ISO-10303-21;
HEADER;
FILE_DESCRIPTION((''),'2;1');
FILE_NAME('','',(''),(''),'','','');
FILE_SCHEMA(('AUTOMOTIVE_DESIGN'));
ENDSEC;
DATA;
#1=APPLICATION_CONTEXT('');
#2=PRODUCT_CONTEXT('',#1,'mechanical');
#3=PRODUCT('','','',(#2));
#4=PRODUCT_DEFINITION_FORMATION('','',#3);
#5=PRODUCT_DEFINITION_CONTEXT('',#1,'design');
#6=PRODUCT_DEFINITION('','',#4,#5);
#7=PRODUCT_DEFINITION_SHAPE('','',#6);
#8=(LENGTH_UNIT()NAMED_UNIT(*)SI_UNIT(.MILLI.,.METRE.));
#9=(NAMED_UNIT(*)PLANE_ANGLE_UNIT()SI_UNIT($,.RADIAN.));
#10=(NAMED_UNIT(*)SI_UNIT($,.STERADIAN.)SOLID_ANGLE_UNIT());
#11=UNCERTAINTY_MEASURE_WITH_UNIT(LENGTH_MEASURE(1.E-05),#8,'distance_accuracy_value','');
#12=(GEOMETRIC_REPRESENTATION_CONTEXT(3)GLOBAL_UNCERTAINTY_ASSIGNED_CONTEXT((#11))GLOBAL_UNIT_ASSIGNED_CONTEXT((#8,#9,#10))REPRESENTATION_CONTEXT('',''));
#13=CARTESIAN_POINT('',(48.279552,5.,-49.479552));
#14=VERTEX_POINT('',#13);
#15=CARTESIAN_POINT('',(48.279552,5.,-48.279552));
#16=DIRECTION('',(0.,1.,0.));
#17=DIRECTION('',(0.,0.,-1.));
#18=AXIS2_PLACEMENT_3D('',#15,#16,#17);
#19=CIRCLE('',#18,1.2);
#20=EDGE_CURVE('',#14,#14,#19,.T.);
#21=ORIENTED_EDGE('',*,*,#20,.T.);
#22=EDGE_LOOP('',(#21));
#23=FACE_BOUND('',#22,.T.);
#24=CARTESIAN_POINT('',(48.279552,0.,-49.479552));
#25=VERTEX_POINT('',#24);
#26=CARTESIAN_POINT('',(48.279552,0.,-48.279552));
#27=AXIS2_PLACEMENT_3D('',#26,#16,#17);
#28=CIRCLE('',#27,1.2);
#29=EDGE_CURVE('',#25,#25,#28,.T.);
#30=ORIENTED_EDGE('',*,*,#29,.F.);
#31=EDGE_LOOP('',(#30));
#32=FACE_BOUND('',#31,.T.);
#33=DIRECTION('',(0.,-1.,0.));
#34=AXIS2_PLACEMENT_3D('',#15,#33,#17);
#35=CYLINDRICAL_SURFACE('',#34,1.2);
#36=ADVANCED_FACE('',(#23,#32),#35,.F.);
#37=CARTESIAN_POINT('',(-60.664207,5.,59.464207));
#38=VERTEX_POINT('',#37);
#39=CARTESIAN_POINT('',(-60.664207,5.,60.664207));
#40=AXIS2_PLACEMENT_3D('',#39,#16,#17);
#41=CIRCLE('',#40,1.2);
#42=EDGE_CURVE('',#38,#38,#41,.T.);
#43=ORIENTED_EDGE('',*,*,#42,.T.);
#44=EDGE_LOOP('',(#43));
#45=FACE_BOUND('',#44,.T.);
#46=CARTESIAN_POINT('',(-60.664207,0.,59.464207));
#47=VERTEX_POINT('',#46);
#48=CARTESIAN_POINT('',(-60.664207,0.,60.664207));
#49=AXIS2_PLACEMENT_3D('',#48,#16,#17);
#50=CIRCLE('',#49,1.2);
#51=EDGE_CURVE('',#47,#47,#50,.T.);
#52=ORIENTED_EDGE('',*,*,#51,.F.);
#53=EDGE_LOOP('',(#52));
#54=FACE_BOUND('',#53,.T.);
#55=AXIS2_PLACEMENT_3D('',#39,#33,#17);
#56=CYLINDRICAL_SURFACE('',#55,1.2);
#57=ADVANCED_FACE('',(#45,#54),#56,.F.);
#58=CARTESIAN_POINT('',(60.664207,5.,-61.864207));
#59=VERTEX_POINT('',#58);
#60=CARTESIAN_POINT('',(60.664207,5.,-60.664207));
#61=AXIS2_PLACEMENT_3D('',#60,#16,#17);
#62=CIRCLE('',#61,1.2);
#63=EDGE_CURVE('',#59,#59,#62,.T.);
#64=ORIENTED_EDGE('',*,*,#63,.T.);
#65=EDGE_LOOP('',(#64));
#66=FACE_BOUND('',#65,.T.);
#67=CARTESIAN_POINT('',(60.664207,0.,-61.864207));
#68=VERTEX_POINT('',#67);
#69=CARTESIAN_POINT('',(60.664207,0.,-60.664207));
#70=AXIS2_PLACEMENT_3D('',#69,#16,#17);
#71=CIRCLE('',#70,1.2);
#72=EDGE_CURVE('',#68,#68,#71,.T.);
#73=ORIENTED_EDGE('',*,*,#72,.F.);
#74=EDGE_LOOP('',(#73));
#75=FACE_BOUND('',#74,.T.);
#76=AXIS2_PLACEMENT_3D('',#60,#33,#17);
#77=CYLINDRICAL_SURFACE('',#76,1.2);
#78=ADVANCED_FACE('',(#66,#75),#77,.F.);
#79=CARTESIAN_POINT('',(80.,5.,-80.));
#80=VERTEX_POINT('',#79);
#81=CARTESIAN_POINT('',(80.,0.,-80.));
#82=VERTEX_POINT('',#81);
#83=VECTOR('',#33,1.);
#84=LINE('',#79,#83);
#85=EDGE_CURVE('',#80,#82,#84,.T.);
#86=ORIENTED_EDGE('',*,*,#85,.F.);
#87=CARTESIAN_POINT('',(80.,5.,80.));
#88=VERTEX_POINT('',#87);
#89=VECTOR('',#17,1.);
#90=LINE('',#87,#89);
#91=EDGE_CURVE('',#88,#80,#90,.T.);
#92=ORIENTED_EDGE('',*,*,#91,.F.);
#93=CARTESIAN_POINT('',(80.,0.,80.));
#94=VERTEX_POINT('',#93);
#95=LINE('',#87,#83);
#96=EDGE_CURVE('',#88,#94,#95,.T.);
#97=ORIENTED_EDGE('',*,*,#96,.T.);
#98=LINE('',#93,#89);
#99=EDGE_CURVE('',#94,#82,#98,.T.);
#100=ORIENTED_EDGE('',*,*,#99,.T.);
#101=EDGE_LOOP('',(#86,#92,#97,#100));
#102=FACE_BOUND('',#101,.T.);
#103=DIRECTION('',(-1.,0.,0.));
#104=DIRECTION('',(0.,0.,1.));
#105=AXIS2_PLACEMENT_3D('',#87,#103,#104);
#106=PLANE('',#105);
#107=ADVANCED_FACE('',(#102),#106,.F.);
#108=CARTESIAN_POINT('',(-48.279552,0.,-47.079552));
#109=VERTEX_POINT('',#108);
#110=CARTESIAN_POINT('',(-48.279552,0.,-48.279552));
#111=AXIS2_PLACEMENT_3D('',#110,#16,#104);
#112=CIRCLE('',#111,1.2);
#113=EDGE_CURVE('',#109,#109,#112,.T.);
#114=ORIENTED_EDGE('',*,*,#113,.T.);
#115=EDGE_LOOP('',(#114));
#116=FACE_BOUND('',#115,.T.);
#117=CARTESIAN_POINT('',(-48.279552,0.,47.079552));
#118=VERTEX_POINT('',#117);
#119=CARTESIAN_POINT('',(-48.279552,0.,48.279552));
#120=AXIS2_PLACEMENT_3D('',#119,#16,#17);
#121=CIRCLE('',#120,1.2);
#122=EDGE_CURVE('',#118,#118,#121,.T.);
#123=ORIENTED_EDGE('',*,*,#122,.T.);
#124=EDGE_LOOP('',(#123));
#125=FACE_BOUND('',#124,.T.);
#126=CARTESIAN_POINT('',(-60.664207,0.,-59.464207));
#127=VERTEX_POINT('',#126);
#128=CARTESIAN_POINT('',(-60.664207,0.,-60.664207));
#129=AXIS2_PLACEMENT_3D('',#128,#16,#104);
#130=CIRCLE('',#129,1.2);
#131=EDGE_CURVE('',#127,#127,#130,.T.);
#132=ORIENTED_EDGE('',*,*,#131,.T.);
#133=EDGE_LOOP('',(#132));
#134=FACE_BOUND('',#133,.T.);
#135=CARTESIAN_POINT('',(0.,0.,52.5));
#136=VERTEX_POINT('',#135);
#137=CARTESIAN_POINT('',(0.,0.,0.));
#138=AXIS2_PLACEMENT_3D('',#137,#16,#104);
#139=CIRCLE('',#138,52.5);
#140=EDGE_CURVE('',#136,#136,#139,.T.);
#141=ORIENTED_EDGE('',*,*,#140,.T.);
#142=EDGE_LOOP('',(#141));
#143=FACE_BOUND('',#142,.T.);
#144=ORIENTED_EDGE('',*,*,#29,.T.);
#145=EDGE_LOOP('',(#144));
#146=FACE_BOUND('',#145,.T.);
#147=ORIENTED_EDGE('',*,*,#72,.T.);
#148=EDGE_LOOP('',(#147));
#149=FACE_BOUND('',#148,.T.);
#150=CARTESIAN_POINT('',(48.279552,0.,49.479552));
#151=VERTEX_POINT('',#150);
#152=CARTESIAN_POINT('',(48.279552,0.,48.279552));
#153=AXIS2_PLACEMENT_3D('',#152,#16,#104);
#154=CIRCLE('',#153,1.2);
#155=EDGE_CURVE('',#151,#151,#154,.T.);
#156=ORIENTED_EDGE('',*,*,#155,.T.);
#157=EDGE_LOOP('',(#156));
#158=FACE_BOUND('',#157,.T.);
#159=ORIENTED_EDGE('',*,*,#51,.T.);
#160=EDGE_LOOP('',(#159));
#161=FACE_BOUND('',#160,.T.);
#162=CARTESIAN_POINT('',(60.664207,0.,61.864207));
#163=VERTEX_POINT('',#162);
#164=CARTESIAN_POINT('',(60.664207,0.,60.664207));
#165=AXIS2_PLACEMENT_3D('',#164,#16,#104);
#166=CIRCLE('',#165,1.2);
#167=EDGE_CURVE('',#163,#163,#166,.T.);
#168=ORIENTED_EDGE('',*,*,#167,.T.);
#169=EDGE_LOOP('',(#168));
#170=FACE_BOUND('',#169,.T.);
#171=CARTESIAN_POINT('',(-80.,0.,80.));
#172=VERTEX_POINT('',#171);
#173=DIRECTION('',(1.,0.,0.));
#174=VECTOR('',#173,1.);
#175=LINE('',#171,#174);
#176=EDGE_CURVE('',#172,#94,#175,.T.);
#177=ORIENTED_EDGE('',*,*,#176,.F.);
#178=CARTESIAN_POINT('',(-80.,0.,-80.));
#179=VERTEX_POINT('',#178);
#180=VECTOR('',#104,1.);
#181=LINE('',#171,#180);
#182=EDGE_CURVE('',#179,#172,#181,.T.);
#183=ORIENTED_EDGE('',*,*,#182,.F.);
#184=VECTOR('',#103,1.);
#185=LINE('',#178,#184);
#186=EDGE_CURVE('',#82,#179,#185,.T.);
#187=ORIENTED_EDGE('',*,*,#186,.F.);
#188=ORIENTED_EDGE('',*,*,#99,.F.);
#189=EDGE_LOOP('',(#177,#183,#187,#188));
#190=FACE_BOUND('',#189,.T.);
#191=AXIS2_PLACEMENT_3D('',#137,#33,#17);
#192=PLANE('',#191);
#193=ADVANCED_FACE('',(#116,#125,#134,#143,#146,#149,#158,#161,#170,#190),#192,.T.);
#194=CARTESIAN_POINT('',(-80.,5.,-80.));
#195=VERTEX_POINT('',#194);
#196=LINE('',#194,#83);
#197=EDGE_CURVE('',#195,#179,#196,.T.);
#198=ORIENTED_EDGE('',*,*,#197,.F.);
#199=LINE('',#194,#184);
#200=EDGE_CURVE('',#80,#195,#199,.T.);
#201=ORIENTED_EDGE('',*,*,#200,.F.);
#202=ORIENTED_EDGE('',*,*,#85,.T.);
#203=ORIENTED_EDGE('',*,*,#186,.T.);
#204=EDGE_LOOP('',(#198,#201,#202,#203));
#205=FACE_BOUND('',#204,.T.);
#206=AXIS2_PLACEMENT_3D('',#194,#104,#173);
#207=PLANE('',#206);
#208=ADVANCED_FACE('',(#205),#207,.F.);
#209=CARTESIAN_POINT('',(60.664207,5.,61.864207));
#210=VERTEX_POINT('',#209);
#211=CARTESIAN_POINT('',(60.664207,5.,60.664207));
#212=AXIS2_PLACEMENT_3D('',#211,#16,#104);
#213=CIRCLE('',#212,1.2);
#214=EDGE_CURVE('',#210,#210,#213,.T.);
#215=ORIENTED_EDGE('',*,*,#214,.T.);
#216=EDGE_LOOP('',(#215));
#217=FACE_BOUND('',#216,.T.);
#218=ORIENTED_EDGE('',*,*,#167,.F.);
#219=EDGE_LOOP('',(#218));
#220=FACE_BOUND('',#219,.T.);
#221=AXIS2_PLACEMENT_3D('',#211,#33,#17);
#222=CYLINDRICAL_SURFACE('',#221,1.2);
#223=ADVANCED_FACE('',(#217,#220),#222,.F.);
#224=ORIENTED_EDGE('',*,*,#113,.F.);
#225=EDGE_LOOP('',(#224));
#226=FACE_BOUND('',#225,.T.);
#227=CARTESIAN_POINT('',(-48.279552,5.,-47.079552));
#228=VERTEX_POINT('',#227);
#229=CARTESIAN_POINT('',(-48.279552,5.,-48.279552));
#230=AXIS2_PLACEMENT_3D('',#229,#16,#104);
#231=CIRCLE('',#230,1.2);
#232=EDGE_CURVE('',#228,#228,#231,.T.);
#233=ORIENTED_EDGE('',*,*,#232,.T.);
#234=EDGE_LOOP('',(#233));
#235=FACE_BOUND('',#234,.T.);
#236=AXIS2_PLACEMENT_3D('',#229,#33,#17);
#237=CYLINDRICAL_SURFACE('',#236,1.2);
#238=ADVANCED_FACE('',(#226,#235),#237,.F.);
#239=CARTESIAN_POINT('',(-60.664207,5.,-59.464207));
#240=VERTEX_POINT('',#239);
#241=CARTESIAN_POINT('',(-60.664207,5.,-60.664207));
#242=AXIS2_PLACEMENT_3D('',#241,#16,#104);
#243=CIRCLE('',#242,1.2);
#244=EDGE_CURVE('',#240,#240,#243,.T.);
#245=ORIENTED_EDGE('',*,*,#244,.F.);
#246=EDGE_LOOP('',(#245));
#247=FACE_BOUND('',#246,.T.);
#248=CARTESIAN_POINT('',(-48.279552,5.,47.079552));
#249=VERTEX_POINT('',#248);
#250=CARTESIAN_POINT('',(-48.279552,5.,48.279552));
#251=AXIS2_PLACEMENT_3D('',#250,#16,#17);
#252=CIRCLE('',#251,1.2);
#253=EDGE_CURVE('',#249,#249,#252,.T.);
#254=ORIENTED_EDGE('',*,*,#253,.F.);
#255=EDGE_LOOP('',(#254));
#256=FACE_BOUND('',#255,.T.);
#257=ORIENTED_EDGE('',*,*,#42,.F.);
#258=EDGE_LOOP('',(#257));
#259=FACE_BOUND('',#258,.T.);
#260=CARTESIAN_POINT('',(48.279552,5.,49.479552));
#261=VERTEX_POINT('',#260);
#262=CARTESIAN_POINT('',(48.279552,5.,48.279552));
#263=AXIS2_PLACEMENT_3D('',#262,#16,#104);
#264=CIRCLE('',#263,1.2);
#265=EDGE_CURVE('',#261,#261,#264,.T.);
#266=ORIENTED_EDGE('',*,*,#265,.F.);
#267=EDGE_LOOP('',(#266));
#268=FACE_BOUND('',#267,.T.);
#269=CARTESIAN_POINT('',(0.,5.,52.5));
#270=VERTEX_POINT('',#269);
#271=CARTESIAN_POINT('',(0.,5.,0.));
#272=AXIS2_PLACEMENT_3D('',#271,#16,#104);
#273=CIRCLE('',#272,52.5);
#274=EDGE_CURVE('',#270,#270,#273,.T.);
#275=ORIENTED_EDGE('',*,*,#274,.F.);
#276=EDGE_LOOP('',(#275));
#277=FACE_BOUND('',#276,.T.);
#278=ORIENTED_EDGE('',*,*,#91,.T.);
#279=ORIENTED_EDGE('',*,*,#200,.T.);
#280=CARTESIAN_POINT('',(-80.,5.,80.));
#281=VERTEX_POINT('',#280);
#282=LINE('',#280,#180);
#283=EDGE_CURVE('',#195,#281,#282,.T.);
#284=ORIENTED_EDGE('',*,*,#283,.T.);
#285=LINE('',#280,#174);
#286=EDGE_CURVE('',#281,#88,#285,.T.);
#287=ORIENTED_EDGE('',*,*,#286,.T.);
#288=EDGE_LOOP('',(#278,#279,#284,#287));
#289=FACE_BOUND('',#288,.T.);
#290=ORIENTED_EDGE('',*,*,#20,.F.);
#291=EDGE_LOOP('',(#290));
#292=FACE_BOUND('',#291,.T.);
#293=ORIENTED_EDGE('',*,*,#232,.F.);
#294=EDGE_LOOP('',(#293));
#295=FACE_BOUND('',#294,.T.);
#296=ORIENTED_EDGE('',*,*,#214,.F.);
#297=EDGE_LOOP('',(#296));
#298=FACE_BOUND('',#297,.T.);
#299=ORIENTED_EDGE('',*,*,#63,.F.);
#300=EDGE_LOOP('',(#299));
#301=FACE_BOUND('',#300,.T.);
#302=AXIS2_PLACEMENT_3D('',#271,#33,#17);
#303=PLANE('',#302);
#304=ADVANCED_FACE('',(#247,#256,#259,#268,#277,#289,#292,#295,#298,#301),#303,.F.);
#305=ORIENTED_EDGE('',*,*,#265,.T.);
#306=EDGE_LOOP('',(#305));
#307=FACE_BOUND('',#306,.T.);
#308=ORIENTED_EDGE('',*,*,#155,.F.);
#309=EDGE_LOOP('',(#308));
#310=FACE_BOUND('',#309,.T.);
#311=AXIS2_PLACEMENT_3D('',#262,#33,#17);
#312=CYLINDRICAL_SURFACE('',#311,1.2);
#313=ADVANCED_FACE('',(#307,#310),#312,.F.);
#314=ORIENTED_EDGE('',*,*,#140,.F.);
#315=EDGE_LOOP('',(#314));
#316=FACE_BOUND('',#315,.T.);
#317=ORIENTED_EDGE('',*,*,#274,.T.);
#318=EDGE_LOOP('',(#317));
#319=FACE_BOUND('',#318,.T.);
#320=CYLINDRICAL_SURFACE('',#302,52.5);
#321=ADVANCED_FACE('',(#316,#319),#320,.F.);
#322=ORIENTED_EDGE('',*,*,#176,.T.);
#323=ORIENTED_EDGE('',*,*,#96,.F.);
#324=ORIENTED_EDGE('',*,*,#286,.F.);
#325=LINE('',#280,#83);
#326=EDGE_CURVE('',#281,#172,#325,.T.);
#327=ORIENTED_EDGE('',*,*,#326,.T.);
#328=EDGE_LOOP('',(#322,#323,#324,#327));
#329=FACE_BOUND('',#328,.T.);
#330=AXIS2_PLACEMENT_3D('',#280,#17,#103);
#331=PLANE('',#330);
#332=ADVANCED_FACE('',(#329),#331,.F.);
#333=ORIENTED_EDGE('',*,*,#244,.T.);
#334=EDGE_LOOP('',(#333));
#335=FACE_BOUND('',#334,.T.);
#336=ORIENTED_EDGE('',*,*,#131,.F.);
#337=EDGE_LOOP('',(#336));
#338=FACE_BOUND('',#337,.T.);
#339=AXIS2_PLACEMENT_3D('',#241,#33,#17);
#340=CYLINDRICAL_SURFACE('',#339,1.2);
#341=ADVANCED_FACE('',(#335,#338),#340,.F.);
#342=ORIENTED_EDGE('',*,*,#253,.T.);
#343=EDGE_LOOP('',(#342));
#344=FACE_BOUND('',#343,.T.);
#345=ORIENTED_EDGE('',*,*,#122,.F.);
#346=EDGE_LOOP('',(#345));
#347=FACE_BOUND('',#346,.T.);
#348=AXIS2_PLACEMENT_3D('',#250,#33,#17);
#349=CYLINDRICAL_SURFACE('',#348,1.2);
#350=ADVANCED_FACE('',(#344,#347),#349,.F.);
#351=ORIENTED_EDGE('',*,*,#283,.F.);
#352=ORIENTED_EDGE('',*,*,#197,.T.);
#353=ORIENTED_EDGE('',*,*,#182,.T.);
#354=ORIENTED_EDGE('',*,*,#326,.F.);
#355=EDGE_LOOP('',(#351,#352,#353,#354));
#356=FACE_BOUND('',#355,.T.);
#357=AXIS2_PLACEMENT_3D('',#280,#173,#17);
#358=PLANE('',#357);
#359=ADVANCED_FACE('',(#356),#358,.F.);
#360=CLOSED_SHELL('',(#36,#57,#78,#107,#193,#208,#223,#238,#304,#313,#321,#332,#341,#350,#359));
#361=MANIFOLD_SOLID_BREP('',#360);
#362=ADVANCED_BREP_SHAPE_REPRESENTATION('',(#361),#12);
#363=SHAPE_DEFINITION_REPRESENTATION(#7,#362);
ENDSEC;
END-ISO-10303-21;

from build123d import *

# Parameters (mm, degrees)
SKETCH1_W           = 160
SKETCH1_H           = 160
SKETCH1_R           = 1.2
SKETCH1_R_2         = 52.5
BOSS_EXTRUDE1_DEPTH = 5


with BuildPart() as part:
    # Sketch1 → Boss-Extrude1 (new body)
    with BuildSketch(Plane(origin=(0, 0, 0), x_dir=(1, 0, 0), z_dir=(0, 1, 0))):
        Rectangle(SKETCH1_W, SKETCH1_H)
        with Locations(Location((-60.664206642, 60.664206642, 0), (0, 0, 270))):
            Circle(SKETCH1_R, mode=Mode.SUBTRACT)
        with Locations(Location((-48.279552135, 48.279552135, 0), (0, 0, 270))):
            Circle(SKETCH1_R, mode=Mode.SUBTRACT)
        with Locations(Location((48.279552135, 48.279552135, 0), (0, 0, 90))):
            Circle(SKETCH1_R, mode=Mode.SUBTRACT)
        with Locations(Location((60.664206642, 60.664206642, 0), (0, 0, 90))):
            Circle(SKETCH1_R, mode=Mode.SUBTRACT)
        with Locations(Location((60.664206642, -60.664206642, 0), (0, 0, 270))):
            Circle(SKETCH1_R, mode=Mode.SUBTRACT)
        with Locations(Location((48.279552135, -48.279552135, 0), (0, 0, 270))):
            Circle(SKETCH1_R, mode=Mode.SUBTRACT)
        with Locations(Location((-48.279552135, -48.279552135, 0), (0, 0, 90))):
            Circle(SKETCH1_R, mode=Mode.SUBTRACT)
        with Locations(Location((-60.664206642, -60.664206642, 0), (0, 0, 90))):
            Circle(SKETCH1_R, mode=Mode.SUBTRACT)
        with Locations(Location((0, 0, 0), (0, 0, 270))):
            Circle(SKETCH1_R_2, mode=Mode.SUBTRACT)
    extrude(amount=BOSS_EXTRUDE1_DEPTH)


solid = part.part
